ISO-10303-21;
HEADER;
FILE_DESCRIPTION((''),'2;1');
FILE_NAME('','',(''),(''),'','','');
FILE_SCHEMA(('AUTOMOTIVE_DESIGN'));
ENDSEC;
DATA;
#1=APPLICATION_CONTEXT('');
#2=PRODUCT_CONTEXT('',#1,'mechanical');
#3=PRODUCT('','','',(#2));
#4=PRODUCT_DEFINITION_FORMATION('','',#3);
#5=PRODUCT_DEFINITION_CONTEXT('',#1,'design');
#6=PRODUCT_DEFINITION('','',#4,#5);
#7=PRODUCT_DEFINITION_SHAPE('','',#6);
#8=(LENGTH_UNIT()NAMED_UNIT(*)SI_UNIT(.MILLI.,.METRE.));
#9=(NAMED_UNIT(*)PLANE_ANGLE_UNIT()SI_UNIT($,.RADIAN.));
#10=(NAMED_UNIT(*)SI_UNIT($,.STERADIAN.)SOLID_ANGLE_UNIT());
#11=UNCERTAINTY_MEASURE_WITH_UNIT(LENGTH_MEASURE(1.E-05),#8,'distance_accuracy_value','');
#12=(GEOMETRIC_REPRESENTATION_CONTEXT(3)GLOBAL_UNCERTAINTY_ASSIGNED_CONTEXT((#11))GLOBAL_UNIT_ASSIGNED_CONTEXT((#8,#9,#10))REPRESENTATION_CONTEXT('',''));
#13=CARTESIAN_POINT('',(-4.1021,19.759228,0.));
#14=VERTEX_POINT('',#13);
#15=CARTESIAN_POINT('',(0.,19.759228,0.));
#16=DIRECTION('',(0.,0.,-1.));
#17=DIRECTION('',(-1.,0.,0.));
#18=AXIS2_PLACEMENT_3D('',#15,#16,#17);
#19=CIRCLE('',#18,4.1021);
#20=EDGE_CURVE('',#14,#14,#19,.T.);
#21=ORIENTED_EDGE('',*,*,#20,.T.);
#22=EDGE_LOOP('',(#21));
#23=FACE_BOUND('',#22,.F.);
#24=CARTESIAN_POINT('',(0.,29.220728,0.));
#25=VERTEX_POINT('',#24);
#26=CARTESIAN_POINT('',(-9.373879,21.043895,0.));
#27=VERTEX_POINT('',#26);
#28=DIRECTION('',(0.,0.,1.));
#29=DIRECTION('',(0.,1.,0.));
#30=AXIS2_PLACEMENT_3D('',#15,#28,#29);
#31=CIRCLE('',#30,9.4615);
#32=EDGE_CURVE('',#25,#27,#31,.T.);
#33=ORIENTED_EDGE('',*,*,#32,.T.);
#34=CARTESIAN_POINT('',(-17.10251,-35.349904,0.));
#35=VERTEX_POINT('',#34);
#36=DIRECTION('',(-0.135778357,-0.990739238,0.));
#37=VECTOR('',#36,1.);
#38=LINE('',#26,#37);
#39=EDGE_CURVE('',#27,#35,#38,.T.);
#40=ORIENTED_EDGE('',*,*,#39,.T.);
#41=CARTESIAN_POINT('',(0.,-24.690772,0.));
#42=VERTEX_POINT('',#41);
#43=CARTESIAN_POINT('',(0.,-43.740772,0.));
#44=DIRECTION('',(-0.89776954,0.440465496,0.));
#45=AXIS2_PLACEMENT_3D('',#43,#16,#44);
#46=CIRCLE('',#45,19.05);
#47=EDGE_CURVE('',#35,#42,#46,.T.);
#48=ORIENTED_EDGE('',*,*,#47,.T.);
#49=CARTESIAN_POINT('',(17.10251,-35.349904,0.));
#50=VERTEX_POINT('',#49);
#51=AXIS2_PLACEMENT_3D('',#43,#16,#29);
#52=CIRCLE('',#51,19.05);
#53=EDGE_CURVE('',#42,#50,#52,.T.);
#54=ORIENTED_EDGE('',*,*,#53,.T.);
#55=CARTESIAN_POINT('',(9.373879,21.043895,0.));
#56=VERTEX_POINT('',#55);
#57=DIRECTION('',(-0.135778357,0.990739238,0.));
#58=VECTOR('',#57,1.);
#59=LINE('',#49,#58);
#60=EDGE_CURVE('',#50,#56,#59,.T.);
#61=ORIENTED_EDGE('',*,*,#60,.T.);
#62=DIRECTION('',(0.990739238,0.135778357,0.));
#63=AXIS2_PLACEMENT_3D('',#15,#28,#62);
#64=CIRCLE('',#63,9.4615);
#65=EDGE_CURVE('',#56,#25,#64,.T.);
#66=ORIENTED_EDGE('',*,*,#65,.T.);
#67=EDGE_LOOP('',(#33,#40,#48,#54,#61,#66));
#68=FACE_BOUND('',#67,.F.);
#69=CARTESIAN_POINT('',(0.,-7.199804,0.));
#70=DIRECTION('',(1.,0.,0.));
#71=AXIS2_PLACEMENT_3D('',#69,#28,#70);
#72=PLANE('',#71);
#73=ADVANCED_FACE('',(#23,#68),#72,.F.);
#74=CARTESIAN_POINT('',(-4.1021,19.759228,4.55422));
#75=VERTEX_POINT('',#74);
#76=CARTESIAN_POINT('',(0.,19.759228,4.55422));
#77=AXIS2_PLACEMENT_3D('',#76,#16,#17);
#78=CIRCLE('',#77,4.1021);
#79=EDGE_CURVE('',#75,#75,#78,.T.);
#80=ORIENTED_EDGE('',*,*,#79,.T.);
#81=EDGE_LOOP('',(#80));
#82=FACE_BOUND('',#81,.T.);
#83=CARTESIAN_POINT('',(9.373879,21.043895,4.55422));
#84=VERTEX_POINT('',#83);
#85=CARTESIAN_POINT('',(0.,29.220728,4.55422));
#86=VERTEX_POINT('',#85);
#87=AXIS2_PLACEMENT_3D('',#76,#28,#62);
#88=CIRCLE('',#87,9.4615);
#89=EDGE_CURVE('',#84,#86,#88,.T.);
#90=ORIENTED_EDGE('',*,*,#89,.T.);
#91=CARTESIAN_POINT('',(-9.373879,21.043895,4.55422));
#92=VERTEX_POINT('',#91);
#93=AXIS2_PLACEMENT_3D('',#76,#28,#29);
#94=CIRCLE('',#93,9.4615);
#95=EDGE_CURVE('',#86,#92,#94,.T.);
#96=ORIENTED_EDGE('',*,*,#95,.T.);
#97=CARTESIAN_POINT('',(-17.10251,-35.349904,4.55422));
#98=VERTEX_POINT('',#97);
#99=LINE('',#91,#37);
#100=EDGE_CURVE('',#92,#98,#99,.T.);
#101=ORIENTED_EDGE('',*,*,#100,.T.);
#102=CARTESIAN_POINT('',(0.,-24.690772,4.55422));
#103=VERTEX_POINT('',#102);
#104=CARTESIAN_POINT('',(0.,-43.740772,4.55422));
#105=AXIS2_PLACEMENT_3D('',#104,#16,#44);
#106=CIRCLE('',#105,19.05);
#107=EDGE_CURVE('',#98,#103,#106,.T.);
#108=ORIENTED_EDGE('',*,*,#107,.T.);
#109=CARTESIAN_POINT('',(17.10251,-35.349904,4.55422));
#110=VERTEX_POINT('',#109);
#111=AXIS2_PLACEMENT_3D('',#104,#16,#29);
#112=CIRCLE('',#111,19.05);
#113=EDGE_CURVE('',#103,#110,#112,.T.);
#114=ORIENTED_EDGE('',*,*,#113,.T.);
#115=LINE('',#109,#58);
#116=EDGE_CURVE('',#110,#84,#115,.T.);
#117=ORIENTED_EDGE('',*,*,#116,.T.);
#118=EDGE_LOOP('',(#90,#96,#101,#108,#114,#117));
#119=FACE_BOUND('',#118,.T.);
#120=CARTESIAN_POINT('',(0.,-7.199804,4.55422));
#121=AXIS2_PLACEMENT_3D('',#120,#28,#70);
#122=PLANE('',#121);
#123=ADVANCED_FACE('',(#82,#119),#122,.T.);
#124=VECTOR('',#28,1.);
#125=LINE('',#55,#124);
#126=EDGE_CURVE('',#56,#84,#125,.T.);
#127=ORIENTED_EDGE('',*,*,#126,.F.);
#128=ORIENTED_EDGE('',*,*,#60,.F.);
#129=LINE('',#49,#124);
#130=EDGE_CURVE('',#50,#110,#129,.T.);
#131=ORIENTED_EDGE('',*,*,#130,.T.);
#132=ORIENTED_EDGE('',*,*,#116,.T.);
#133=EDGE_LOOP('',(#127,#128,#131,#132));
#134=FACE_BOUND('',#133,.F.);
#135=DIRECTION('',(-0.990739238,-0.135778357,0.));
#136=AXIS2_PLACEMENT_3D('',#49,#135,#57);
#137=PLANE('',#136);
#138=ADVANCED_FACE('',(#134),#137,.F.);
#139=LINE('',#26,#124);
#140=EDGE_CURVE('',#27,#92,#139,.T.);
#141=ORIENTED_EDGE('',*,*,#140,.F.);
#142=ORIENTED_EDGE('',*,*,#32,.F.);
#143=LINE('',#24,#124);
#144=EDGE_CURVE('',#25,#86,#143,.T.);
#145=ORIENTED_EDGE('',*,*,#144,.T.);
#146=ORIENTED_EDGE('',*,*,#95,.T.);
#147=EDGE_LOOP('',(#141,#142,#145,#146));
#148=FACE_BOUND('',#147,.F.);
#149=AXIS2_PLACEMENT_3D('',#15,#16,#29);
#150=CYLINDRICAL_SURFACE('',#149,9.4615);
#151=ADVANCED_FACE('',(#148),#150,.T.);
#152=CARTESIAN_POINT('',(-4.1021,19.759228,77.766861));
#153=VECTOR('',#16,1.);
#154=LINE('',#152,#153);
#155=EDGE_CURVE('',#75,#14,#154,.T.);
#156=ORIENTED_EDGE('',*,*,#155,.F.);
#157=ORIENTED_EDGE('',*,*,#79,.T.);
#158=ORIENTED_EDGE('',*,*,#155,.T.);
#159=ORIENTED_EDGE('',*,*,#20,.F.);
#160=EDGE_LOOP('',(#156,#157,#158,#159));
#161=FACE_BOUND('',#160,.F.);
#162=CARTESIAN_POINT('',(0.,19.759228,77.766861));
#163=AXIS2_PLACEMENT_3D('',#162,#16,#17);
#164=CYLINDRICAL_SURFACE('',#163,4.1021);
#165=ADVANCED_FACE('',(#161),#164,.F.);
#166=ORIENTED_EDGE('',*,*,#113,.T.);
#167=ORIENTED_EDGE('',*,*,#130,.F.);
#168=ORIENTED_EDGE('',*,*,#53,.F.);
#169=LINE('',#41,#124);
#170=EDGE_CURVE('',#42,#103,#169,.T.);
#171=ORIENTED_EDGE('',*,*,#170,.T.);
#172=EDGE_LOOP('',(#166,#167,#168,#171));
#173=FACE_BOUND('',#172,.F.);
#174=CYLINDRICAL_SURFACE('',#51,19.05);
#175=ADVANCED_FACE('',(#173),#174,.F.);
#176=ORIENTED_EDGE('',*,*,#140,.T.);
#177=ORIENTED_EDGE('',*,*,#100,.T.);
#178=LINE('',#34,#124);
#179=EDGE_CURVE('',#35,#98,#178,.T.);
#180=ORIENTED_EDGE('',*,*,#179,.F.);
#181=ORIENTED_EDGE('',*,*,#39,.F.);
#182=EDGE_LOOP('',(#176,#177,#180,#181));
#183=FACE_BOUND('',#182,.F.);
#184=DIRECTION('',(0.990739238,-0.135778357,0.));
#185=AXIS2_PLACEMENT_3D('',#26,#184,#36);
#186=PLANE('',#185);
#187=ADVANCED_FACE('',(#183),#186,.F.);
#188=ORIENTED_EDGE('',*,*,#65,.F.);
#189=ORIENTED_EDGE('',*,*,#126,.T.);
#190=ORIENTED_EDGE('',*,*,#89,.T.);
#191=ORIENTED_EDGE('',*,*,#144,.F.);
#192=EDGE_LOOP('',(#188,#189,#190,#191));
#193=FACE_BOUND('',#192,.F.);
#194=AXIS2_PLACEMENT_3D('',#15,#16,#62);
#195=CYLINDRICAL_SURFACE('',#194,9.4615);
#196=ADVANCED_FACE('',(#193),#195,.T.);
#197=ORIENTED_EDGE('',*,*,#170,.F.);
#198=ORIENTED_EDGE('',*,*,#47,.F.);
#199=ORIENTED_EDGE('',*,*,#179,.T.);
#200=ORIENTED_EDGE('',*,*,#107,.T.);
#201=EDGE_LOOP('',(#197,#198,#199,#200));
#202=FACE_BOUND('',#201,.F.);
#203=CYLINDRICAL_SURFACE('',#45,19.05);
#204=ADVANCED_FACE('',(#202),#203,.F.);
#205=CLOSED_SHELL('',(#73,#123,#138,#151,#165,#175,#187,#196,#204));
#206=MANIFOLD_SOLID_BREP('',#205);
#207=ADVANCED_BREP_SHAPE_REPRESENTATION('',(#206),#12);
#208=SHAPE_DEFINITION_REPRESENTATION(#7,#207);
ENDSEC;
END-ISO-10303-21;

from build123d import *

# Parameters (mm, degrees)
F1_DEPTH = 4.55422
F3_D     = 8.2042


with BuildPart() as f1:
    # F0 (on Top) → F1 (new body)
    with BuildSketch(Plane.XY):
        with BuildLine():
            ThreePointArc((9.3738793, 21.0438950621), (6.2195299703, 26.8892652438), (0, 29.2207281332))
            ThreePointArc((0, 29.2207281332), (-6.2195299703, 26.8892652438), (-9.3738793, 21.0438950621))
            Line((-9.3738793, 21.0438950621), (-17.102509737, -35.3499041706))
            ThreePointArc((-17.102509737, -35.3499041706), (-10.0761220315, -27.57369839), (0, -24.6907718668))
            ThreePointArc((0, -24.6907718668), (10.0761220315, -27.57369839), (17.102509737, -35.3499041706))
            Line((17.102509737, -35.3499041706), (9.3738793, 21.0438950621))
        make_face()
    extrude(amount=F1_DEPTH)

    # F3 (through all)
    with Locations(Plane.XY.offset(4.55422)):
        with Locations((0, 19.7592281332)):
            Hole(F3_D / 2)


solid = f1.part
